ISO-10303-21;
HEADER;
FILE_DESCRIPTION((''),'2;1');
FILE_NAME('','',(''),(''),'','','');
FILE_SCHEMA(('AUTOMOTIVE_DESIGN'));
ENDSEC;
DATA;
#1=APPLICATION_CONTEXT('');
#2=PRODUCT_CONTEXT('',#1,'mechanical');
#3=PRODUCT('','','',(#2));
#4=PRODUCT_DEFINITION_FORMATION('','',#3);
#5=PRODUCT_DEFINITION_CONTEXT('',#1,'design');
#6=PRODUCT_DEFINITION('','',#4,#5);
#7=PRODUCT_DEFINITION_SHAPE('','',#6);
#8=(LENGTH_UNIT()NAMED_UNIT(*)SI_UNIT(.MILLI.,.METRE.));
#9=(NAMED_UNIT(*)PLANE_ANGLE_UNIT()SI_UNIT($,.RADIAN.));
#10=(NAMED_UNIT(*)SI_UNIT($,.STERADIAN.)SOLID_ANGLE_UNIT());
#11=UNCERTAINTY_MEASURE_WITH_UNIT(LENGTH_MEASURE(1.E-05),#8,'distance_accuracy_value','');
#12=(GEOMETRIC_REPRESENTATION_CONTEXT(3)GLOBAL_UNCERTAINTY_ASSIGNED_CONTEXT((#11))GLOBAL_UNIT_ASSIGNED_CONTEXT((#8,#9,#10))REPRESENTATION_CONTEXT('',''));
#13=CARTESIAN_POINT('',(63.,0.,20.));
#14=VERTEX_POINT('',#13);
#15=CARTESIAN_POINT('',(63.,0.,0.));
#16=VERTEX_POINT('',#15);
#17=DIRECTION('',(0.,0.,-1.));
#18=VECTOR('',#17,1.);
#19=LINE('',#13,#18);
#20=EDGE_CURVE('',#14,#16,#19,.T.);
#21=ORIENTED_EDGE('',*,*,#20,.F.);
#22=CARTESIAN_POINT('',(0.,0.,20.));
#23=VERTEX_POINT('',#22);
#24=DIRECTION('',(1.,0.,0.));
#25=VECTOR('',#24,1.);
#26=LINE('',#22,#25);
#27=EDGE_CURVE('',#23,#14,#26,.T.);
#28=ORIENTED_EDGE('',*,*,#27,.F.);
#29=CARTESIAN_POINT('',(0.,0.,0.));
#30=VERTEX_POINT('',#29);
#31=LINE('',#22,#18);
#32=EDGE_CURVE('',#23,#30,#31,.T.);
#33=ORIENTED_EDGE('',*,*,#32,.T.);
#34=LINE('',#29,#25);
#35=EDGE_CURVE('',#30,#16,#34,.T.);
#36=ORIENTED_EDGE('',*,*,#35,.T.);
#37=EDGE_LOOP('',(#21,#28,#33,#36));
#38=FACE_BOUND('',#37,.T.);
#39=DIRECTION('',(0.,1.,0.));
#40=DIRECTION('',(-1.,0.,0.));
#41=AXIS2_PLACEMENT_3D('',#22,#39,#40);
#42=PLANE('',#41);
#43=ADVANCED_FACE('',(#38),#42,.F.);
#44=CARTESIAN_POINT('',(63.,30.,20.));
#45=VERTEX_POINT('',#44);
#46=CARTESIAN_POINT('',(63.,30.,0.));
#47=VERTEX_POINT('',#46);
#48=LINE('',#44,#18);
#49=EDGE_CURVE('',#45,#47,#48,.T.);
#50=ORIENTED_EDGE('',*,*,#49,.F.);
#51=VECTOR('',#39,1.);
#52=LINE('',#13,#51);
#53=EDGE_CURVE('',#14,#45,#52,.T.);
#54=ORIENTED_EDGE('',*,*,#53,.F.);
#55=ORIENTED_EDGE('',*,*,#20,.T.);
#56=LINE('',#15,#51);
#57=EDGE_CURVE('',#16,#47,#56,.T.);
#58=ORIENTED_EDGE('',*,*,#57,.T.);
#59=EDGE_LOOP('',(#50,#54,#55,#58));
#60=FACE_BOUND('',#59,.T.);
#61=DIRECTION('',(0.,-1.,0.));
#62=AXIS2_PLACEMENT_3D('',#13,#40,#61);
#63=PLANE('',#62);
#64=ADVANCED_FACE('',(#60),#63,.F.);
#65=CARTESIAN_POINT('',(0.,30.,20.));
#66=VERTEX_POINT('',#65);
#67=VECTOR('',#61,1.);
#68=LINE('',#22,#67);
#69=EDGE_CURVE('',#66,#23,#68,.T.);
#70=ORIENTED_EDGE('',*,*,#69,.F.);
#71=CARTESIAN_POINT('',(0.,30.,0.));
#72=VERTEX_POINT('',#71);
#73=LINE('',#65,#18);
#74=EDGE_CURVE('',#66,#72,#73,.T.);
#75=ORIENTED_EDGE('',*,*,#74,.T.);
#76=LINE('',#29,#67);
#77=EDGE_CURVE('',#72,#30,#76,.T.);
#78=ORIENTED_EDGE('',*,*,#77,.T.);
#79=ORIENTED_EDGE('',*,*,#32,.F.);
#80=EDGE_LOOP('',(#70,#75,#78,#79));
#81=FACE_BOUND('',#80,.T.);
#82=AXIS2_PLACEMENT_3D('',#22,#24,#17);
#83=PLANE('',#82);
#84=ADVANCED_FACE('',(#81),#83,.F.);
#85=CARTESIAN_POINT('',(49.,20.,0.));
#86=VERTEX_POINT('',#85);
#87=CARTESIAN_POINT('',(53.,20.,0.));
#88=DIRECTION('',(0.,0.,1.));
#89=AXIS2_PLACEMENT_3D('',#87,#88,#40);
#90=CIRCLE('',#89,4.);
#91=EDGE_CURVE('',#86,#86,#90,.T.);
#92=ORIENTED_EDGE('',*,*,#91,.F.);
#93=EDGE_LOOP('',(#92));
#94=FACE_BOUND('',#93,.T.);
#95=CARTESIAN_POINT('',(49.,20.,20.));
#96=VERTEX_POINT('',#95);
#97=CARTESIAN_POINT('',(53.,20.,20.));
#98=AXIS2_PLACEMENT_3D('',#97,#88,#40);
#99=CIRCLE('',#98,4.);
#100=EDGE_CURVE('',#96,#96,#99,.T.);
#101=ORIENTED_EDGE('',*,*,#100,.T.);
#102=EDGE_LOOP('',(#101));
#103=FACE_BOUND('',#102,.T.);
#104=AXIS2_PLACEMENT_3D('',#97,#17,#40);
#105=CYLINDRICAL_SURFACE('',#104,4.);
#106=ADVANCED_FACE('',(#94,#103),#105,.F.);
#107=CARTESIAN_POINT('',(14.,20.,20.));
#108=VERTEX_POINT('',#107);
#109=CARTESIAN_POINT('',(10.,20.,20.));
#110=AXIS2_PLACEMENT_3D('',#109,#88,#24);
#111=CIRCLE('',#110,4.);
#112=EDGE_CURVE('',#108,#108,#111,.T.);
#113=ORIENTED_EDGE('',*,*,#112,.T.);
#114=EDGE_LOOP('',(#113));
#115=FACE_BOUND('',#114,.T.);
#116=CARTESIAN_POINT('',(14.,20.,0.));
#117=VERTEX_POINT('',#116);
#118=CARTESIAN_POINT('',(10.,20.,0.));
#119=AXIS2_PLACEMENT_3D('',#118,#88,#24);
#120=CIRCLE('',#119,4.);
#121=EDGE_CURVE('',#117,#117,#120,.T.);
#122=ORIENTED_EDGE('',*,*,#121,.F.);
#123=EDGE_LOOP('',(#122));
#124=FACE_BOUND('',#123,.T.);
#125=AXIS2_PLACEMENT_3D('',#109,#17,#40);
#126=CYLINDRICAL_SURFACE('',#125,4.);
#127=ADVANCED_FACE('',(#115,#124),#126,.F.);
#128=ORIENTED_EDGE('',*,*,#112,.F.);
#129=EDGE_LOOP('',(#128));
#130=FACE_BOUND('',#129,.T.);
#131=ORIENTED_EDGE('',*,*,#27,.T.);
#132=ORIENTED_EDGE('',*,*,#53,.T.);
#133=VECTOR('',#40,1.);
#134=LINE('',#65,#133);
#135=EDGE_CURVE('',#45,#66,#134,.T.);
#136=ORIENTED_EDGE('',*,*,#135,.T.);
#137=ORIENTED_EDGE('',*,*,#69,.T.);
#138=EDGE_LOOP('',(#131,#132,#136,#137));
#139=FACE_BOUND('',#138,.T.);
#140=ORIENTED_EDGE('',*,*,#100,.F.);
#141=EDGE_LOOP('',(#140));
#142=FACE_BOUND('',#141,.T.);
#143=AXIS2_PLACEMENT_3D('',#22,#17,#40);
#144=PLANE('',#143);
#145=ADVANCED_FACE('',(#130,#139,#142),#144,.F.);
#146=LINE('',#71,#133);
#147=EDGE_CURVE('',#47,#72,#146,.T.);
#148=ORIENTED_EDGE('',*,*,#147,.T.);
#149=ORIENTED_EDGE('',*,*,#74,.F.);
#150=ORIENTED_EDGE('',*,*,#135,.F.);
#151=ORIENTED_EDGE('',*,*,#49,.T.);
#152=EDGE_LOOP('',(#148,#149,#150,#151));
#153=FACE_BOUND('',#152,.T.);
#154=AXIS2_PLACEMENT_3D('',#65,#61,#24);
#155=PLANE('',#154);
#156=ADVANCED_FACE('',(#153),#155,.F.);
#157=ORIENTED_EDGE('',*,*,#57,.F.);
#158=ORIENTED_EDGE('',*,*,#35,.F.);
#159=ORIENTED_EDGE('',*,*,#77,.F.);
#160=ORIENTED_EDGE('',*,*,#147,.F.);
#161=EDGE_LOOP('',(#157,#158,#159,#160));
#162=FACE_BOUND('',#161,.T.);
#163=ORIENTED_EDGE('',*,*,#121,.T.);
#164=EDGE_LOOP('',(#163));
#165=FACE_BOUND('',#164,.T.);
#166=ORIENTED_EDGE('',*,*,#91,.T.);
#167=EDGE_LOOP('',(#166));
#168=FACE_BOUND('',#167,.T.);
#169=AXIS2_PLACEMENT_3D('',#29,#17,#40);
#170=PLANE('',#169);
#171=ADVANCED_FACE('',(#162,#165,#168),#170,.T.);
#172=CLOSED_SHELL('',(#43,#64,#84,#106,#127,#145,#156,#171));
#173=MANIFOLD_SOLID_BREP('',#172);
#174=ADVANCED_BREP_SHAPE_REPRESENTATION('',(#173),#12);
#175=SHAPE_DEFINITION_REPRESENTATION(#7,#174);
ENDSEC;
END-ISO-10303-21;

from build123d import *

# Parameters (mm, degrees)
SKETCH1_W           = 63
SKETCH1_H           = 30
SKETCH1_R           = 4
BOSS_EXTRUDE1_DEPTH = 20


with BuildPart() as part:
    # Sketch1 → Boss-Extrude1 (new body)
    with BuildSketch(Plane.XY):
        with Locations((31.5, 15)):
            Rectangle(SKETCH1_W, SKETCH1_H)
        with Locations((10, 20)):
            Circle(SKETCH1_R, mode=Mode.SUBTRACT)
        with Locations(Location((53, 20, 0), (0, 0, 180))):
            Circle(SKETCH1_R, mode=Mode.SUBTRACT)
    extrude(amount=BOSS_EXTRUDE1_DEPTH)


solid = part.part
